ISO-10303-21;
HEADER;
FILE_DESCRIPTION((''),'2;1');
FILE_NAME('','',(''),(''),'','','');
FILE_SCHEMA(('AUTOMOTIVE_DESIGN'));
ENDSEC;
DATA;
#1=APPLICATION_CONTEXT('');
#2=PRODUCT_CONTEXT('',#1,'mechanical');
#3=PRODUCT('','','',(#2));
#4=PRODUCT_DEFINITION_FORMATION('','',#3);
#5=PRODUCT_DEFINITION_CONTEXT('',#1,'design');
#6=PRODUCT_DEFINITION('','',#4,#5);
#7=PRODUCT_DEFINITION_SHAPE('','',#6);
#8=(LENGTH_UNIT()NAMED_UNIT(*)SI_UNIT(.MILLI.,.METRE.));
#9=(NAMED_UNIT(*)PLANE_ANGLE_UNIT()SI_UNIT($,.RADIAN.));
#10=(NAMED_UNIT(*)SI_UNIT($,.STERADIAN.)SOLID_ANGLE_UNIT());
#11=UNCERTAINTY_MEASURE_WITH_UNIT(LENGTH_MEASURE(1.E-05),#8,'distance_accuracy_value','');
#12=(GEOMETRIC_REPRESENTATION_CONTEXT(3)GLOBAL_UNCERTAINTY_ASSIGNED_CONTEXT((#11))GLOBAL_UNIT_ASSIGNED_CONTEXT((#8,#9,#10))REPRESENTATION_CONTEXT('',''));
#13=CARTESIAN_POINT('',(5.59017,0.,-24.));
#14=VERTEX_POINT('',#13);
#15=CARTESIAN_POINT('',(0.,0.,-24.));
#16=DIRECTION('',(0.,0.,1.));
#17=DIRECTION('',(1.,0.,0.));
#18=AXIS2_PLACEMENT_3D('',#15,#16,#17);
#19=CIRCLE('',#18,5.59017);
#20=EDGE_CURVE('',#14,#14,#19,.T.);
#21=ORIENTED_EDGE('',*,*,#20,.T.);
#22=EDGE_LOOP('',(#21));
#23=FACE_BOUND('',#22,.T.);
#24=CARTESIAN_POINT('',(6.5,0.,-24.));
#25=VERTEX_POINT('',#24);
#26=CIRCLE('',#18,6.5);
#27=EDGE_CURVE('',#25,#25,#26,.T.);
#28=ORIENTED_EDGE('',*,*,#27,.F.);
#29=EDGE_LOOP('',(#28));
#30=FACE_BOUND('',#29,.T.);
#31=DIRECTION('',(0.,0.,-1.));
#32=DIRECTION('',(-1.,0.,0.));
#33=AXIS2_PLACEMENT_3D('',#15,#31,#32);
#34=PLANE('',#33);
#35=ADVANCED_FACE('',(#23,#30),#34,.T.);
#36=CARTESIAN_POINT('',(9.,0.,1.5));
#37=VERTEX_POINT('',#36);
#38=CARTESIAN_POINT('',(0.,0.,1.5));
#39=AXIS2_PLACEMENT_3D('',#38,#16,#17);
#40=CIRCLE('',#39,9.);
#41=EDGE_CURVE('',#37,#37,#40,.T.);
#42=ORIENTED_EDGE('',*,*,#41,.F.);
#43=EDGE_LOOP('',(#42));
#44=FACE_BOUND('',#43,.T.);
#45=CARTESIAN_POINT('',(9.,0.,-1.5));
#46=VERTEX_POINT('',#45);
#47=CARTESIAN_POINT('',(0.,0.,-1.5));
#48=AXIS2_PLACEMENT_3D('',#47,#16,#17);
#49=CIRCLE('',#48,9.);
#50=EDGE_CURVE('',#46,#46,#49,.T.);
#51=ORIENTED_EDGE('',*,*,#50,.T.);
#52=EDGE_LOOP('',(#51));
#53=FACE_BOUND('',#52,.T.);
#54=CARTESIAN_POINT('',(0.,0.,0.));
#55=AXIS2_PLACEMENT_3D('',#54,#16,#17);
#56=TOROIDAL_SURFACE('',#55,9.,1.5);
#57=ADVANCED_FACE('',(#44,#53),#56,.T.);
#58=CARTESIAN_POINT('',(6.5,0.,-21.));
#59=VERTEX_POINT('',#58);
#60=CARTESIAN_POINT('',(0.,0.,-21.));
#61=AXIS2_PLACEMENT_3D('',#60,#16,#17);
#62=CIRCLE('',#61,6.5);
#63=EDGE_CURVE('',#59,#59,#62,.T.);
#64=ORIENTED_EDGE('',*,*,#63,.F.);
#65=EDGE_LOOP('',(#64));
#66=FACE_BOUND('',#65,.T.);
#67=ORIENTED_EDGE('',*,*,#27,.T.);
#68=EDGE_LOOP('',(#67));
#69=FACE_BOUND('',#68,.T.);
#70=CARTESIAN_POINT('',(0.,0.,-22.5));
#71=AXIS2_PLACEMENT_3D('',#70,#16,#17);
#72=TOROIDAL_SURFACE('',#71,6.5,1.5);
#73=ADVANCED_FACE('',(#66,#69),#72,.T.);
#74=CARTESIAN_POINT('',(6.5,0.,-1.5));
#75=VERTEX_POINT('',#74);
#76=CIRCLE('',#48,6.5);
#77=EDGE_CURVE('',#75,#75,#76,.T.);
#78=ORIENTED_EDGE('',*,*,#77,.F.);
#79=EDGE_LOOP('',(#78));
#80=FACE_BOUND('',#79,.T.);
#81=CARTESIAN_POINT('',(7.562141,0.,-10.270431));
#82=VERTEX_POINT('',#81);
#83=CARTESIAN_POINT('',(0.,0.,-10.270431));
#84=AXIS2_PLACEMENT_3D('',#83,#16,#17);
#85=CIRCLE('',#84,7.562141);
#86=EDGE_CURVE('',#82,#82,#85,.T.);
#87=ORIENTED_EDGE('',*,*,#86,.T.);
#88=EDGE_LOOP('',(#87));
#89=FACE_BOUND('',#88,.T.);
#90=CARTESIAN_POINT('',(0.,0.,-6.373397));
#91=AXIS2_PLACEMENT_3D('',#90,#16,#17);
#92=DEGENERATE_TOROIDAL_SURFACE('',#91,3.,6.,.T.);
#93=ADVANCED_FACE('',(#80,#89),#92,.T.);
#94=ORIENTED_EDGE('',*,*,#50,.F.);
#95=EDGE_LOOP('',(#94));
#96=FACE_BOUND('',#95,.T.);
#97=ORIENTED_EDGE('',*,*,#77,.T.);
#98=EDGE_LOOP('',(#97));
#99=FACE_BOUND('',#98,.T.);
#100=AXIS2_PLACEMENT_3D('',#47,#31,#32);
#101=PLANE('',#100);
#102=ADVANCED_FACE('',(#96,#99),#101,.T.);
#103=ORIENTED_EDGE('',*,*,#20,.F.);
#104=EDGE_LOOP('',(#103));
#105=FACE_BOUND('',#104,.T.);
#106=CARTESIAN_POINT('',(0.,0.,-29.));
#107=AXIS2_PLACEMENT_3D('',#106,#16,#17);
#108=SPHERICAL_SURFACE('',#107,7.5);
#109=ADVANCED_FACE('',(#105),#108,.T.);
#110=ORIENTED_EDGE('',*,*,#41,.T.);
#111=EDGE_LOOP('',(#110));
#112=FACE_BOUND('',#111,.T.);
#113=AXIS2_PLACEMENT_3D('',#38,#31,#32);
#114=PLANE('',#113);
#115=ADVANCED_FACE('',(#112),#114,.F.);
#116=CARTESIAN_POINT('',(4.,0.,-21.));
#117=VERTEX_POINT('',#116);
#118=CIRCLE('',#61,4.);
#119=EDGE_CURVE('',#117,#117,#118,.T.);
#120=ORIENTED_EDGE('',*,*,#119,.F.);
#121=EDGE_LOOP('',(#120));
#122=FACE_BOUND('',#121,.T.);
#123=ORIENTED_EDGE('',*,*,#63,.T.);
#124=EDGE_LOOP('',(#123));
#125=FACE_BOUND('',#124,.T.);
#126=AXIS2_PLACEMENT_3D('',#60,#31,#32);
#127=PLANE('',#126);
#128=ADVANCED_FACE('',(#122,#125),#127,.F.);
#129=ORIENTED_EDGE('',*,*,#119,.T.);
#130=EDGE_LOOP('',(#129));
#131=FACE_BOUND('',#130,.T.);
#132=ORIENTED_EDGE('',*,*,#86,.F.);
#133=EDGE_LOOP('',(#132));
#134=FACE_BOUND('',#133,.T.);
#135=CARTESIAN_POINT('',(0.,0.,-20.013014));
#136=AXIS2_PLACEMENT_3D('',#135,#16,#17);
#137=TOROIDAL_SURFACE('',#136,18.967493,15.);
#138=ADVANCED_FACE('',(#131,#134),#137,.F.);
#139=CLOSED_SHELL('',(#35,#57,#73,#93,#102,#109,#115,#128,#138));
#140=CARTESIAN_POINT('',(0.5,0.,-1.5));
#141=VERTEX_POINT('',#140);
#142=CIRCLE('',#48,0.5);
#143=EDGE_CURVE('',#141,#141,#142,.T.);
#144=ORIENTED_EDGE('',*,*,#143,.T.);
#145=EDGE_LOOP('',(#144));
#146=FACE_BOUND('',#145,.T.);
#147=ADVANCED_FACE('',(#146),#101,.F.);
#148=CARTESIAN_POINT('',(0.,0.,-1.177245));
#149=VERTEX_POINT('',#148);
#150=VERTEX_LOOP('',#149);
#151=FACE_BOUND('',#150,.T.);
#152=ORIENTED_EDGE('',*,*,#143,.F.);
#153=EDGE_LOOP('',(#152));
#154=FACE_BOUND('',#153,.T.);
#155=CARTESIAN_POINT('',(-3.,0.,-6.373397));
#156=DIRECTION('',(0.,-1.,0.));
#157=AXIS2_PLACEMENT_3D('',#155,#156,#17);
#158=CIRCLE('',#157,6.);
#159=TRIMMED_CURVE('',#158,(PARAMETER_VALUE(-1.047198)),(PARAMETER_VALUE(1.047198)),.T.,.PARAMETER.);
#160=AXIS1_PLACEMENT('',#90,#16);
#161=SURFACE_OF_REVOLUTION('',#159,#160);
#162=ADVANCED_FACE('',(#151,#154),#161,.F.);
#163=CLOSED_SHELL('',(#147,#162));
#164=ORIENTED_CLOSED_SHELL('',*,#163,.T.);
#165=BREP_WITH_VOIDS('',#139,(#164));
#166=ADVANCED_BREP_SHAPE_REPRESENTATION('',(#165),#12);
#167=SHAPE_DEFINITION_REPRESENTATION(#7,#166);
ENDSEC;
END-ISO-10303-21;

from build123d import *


with BuildPart() as part:
    # Sketch1 → Revolve1 (revolve)
    with BuildSketch(Plane(origin=(0, 0, 0), x_dir=(1, 0, 0), z_dir=(0, 1, 0))):
        with BuildLine():
            ThreePointArc((-4, 21), (-4.731529648, 15.286775193), (-7.562140976, 10.270430623))
            ThreePointArc((-7.562140976, 10.270430623), (-4.015873335, 12.286771959), (0, 11.569549595))
            Line((0, 11.569549595), (0, 21))
            Line((0, 21), (-4, 21))
        make_face()
        with BuildLine():
            ThreePointArc((-7.562140976, 10.270430623), (-8.956479045, 5.652039153), (-6.5, 1.5))
            Line((-6.5, 1.5), (-0.5, 1.5))
            Line((-0.5, 1.5), (0, 1.5))
            Line((0, 1.5), (0, 11.569549595))
            ThreePointArc((0, 11.569549595), (-4.015873335, 12.286771959), (-7.562140976, 10.270430623))
        make_face()
        with BuildLine():
            Line((-6.5, 1.5), (-9, 1.5))
            ThreePointArc((-9, 1.5), (-10.5, 0), (-9, -1.5))
            Line((-9, -1.5), (0, -1.5))
            Line((0, -1.5), (0, 1.17724475))
            ThreePointArc((0, 1.17724475), (-0.254004108, 1.332419364), (-0.5, 1.5))
            Line((-0.5, 1.5), (-6.5, 1.5))
        make_face()
        with BuildLine():
            ThreePointArc((-4.507066567, 24), (-4.177272904, 22.512889696), (-4, 21))
            Line((-4, 21), (0, 21))
            Line((0, 21), (0, 24))
            Line((0, 24), (-4.507066567, 24))
        make_face()
        with BuildLine():
            Line((-5.590169944, 24), (-4.507066567, 24))
            Line((-4.507066567, 24), (0, 24))
            Line((0, 24), (0, 36.5))
            ThreePointArc((0, 36.5), (-6.846531969, 32.061862178), (-5.590169944, 24))
        make_face()
        with BuildLine():
            Line((-6.5, 21), (-4, 21))
            ThreePointArc((-4, 21), (-4.177272904, 22.512889696), (-4.507066567, 24))
            Line((-4.507066567, 24), (-5.590169944, 24))
            Line((-5.590169944, 24), (-6.5, 24))
            ThreePointArc((-6.5, 24), (-8, 22.5), (-6.5, 21))
        make_face()
    revolve(axis=Axis((0, 0, 1.5), (0, 0, -1)))


solid = part.part
